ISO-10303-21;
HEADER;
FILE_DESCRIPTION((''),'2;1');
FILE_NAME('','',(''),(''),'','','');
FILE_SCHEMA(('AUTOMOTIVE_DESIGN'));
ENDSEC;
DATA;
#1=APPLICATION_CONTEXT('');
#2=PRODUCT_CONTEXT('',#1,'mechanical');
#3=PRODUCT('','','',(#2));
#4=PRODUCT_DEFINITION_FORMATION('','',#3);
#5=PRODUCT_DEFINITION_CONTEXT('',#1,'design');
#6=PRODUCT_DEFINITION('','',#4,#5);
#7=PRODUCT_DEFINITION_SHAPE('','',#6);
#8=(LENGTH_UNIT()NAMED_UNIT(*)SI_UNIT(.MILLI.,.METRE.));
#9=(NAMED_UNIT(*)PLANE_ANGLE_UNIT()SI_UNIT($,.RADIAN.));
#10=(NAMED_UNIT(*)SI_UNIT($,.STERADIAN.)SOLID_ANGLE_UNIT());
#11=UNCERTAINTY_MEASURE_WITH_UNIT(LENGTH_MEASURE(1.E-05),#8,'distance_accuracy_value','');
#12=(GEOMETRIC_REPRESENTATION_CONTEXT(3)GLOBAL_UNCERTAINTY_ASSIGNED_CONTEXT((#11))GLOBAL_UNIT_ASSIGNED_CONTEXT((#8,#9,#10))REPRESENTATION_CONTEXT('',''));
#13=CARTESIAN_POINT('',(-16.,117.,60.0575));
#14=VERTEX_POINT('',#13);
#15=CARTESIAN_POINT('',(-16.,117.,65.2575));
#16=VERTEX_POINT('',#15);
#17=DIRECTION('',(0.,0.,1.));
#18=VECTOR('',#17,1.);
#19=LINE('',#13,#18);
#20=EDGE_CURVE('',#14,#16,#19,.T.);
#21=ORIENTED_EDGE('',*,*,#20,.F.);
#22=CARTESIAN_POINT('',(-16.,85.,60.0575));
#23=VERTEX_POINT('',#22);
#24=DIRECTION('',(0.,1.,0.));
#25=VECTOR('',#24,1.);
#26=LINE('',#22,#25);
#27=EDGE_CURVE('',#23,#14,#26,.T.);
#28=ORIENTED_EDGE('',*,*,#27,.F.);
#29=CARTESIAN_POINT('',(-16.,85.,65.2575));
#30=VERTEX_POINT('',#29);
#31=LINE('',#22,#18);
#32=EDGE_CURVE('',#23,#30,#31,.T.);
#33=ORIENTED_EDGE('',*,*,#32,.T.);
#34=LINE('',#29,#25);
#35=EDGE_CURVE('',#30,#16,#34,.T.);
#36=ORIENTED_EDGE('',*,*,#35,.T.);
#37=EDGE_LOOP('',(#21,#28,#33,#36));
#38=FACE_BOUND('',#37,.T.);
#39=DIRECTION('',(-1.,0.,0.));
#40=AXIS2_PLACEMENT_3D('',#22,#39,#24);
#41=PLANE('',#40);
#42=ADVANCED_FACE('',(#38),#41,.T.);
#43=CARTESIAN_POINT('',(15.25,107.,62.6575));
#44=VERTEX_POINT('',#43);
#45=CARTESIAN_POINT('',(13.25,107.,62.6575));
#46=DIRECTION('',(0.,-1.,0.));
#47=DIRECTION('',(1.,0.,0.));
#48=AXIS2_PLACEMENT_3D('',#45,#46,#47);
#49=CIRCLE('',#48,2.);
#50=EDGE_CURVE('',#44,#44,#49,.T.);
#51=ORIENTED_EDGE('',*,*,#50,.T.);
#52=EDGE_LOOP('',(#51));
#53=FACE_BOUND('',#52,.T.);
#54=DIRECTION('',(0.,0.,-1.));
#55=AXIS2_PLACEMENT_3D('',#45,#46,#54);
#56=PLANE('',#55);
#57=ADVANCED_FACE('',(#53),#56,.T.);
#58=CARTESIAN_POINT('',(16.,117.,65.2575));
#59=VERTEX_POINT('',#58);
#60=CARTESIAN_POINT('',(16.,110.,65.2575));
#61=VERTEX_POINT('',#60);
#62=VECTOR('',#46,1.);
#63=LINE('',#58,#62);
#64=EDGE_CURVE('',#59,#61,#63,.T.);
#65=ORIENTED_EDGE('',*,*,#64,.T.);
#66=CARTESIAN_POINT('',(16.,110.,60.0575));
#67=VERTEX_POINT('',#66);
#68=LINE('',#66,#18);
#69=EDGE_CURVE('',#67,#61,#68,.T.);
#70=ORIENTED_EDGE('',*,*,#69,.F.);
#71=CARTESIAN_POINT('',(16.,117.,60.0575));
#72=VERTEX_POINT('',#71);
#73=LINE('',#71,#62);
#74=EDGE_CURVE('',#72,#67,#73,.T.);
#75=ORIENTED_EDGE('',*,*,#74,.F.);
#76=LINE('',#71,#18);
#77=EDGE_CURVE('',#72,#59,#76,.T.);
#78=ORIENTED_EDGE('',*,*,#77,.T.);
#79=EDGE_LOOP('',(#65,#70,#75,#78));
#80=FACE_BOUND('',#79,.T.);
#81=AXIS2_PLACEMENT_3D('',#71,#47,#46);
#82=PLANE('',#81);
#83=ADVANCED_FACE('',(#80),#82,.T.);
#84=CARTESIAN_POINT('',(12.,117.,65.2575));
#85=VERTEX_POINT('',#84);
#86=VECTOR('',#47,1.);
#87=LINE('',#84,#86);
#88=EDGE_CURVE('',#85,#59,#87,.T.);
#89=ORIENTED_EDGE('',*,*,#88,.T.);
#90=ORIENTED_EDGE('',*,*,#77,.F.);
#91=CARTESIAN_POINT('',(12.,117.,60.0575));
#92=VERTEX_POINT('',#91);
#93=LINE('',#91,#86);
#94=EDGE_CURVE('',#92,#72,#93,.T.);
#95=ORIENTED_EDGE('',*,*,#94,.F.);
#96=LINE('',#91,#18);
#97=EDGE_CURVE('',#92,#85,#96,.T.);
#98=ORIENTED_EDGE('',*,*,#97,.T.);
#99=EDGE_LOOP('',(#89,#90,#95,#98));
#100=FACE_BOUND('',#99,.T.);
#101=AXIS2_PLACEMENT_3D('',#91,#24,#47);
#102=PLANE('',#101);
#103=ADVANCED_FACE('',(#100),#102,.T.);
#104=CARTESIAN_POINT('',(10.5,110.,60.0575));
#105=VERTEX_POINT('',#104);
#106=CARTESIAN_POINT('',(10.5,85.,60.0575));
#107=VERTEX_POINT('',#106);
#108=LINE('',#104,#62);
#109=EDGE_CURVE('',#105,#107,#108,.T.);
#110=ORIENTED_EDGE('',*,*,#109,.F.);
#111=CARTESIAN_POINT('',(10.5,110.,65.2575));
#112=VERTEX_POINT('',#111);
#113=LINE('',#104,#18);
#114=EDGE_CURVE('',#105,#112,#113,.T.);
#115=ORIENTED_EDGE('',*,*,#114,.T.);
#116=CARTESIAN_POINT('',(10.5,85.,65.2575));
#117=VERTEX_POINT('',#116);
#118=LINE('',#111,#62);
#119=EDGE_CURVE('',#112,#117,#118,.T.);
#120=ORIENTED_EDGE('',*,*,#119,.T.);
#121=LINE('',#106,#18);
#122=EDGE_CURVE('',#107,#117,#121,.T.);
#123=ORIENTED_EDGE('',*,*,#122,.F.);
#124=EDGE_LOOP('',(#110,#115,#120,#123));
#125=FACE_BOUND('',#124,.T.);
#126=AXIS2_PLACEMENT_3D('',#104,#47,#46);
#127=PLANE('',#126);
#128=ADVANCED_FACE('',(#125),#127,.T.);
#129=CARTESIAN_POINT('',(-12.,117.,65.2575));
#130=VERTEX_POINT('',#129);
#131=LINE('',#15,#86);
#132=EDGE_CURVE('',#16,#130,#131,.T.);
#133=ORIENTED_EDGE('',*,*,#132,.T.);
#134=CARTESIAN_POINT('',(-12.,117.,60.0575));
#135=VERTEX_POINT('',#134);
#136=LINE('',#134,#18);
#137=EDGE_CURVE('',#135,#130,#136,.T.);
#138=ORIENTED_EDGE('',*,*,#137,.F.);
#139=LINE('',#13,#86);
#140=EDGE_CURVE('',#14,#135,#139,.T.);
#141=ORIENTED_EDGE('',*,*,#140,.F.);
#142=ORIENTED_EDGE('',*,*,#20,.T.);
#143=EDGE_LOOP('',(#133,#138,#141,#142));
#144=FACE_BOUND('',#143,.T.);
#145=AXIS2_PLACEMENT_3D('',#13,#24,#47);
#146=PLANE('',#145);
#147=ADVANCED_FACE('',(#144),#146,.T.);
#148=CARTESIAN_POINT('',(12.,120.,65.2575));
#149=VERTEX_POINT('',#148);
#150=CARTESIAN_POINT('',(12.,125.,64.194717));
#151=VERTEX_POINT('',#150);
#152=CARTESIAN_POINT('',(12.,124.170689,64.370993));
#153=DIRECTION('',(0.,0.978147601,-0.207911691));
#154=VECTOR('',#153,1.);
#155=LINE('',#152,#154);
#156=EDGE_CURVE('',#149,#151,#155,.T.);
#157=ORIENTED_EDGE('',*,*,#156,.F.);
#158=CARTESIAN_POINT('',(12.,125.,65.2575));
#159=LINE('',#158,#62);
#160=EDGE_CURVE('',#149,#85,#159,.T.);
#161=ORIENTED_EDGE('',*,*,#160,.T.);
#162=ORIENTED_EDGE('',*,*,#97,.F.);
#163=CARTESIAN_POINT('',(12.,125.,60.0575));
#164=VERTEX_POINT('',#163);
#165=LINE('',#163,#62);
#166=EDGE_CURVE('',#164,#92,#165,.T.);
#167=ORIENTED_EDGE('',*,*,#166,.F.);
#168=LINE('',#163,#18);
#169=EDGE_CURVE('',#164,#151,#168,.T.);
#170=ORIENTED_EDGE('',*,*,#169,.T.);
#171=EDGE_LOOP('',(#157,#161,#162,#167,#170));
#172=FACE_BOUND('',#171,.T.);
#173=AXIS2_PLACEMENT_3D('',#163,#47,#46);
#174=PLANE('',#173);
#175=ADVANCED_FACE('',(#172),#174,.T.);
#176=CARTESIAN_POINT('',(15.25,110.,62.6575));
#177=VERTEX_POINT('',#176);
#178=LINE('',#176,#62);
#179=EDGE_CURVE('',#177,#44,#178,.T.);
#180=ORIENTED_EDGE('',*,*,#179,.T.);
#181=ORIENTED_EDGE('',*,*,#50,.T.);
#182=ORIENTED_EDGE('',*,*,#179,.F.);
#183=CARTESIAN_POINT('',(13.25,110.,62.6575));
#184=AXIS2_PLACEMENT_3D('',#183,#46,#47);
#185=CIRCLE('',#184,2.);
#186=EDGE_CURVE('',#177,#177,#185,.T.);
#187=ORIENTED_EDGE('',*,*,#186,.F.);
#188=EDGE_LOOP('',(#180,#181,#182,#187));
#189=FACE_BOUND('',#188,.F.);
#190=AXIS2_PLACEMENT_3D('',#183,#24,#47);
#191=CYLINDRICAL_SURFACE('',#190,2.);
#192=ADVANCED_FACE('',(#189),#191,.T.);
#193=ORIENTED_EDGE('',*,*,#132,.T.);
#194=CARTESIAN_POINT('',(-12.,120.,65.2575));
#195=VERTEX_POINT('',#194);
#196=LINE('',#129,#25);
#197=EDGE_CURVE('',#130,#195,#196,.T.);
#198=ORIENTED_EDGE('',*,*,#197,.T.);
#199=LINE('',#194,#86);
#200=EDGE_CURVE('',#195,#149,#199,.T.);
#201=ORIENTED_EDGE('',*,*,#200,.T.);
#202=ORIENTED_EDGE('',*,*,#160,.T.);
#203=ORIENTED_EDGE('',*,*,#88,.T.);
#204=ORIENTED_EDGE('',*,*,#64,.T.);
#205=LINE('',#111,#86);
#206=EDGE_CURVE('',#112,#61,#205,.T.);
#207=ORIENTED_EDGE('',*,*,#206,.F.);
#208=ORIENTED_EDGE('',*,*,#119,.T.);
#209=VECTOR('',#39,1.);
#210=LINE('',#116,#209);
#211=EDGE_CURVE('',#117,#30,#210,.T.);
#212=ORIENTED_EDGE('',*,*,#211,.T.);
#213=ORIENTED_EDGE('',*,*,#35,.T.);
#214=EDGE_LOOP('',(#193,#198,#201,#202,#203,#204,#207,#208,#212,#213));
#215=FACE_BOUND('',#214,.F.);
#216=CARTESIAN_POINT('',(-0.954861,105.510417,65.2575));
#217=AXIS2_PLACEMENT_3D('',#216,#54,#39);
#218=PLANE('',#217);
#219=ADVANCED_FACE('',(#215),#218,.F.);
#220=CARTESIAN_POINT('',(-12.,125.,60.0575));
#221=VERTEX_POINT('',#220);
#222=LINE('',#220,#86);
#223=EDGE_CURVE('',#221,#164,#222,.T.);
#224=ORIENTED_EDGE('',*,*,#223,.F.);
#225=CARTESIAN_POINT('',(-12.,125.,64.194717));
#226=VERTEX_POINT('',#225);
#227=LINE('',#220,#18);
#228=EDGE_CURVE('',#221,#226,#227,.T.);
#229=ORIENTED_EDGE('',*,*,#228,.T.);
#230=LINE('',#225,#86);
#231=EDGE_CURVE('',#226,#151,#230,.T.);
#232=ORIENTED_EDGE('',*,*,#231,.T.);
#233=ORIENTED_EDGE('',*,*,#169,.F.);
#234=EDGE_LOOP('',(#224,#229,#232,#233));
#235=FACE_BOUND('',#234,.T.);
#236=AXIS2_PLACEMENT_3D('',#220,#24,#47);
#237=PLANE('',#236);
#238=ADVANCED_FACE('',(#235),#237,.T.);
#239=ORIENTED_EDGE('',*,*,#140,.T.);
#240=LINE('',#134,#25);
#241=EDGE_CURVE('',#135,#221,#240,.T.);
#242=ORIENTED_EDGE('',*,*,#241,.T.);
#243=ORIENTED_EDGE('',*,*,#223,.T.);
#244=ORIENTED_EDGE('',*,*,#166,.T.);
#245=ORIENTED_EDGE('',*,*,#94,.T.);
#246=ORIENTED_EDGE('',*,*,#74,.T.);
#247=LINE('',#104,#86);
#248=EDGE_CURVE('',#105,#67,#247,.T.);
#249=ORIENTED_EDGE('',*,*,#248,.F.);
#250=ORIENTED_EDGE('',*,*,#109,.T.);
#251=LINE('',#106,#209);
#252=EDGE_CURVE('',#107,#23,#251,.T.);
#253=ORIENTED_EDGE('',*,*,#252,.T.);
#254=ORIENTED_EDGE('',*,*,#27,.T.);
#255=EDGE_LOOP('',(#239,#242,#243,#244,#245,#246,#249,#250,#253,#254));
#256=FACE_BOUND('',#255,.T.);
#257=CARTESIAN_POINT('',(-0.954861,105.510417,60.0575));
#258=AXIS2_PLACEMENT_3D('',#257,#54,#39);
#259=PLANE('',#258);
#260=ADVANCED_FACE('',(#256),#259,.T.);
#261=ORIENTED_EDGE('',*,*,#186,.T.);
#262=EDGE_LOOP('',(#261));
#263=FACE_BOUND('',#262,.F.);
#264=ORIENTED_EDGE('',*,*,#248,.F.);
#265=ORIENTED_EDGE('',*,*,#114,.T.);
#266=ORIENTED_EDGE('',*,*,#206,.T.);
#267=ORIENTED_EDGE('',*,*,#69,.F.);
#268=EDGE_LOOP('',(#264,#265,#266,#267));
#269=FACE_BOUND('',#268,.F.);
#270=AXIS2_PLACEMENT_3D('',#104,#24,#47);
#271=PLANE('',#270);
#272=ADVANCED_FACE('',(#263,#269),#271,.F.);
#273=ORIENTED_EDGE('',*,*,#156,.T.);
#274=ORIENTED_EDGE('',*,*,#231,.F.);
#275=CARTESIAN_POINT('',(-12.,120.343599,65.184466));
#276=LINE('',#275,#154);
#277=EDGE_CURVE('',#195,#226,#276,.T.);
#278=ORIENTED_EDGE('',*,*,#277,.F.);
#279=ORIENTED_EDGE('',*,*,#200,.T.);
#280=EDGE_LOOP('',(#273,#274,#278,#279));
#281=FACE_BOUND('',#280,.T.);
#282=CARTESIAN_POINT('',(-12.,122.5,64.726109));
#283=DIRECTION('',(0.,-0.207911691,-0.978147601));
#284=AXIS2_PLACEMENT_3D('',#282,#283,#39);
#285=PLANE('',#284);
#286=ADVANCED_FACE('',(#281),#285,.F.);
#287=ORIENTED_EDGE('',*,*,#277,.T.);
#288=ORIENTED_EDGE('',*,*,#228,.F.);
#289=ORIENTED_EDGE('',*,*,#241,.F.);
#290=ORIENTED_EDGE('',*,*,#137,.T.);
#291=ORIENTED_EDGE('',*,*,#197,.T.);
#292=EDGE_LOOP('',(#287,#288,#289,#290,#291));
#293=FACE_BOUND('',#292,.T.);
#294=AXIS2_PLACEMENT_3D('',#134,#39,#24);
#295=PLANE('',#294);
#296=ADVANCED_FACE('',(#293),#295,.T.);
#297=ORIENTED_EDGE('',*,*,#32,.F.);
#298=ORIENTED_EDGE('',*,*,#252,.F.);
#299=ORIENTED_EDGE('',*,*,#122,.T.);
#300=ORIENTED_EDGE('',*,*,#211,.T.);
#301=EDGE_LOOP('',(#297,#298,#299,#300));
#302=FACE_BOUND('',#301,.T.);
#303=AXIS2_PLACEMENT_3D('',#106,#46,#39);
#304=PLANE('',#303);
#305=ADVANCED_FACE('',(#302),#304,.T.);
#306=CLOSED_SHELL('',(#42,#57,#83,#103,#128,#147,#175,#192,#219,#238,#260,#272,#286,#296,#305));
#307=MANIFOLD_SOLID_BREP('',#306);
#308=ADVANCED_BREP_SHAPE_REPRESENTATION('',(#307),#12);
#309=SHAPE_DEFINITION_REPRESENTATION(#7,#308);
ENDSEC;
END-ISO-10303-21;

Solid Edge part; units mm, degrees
sketch "Sketch1" plane through (0, 0, 60.0575) normal (0, 0, 1) x (1, 0, 0)
  line L0 (12, 117) -> (16, 117)
  line L1 (16, 117) -> (16, 110)
  line L2 (10.5, 110) -> (16, 110)
  line L3 (10.5, 110) -> (10.5, 85)
  line L4 (10.5, 85) -> (-16, 85)
  line L5 (-16, 85) -> (-16, 117)
  line L6 (-16, 117) -> (-12, 117)
  line L7 (-12, 117) -> (-12, 125)
  line L8 (-12, 125) -> (12, 125)
  line L9 (12, 125) -> (12, 117)
extrude "Protrusion1" add sketch "Sketch1" along normal blind 5.2
sketch "Sketch2" plane through (13.25, 110, 62.5575) normal (0, -1, 0) x (1, 0, 0)
  circle A0 centre (0, 0.1) radius 2
extrude "ExtrudedProtrusion_3" add sketch "Sketch2" along normal blind 3
chamfer "Chamfer_1" distance 5 angle 12 1 edges at (0, 125, 65.2575) measured on face at (10.9867, 118.7333, 65.2575)
